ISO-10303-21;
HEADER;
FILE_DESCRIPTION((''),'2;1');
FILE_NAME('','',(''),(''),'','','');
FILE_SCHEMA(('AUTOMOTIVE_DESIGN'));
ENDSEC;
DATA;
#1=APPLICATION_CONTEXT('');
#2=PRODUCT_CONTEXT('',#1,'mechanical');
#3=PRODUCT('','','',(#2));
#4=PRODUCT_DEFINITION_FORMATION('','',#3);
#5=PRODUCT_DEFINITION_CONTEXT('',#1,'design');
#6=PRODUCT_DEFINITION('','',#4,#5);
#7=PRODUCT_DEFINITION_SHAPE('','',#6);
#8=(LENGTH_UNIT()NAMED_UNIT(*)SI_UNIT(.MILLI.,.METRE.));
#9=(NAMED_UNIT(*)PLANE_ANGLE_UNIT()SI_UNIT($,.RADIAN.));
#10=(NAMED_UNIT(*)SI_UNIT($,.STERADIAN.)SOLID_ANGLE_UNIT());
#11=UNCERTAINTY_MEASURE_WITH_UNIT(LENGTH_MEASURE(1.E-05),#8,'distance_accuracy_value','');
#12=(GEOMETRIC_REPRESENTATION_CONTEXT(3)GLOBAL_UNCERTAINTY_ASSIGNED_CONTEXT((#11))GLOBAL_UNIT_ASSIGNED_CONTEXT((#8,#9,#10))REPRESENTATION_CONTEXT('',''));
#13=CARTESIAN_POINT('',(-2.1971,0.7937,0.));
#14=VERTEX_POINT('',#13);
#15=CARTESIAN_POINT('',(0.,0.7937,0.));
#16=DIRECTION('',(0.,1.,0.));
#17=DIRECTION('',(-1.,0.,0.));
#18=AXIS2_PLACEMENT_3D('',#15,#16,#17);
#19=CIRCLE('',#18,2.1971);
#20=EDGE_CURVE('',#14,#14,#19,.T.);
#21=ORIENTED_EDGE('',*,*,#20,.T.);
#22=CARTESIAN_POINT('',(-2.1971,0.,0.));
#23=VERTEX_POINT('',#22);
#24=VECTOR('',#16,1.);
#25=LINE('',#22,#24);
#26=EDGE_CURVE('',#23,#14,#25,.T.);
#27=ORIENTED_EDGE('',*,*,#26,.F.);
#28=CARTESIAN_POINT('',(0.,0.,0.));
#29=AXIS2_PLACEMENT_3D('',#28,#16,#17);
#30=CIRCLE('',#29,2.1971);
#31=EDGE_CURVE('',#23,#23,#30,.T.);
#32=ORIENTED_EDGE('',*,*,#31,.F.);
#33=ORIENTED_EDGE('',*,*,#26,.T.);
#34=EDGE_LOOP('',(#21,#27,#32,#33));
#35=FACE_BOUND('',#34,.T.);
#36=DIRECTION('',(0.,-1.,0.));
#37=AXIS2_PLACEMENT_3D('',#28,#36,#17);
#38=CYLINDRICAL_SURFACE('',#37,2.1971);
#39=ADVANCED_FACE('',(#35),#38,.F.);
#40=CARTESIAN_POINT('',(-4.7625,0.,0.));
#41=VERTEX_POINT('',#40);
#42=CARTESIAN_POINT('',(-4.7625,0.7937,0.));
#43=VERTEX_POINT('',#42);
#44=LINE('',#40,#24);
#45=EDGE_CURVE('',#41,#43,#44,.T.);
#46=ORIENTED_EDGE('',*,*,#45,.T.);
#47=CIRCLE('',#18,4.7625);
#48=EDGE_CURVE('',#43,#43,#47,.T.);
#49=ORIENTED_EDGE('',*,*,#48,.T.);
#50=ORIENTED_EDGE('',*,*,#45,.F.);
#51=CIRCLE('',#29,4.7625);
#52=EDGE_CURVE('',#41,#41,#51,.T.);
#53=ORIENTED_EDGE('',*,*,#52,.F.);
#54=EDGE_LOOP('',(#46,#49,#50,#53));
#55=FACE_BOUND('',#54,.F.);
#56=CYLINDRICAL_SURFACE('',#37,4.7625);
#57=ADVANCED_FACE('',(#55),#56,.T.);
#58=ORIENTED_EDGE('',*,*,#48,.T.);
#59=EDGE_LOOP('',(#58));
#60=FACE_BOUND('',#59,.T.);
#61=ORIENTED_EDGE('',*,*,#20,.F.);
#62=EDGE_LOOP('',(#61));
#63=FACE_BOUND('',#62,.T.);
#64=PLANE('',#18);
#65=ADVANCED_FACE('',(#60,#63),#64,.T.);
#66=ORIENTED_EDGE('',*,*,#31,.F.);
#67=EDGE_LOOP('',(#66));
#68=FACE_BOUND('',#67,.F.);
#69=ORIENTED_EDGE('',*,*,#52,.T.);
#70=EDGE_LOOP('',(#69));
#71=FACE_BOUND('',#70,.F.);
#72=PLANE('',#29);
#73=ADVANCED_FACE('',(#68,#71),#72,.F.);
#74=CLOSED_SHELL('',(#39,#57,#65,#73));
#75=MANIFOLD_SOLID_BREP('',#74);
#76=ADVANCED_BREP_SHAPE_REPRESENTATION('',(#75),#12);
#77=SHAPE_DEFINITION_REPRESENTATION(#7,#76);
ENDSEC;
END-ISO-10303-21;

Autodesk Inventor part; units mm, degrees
ref_plane "YZ Plane" through (0, 0, 0) normal (1, 0, 0) x (0, 1, 0)
ref_plane "XZ Plane" through (0, 0, 0) normal (0, 1, 0) x (-1, 0, 0)
ref_plane "XY Plane" through (0, 0, 0) normal (0, 0, 1) x (1, 0, 0)
sketch "Sketch1" plane through (0, 0, 0) normal (0, 1, 0) x (-1, 0, 0)
  circle A0 centre (0, 0) radius 2.1971
  circle A1 centre (0, 0) radius 4.7625
  dimension "d0" = 4.3942
  dimension "d1" = 9.525
extrude "Extrusion1" add sketch "Sketch1" along normal blind 0.7937
properties material "Steel, Cast"
